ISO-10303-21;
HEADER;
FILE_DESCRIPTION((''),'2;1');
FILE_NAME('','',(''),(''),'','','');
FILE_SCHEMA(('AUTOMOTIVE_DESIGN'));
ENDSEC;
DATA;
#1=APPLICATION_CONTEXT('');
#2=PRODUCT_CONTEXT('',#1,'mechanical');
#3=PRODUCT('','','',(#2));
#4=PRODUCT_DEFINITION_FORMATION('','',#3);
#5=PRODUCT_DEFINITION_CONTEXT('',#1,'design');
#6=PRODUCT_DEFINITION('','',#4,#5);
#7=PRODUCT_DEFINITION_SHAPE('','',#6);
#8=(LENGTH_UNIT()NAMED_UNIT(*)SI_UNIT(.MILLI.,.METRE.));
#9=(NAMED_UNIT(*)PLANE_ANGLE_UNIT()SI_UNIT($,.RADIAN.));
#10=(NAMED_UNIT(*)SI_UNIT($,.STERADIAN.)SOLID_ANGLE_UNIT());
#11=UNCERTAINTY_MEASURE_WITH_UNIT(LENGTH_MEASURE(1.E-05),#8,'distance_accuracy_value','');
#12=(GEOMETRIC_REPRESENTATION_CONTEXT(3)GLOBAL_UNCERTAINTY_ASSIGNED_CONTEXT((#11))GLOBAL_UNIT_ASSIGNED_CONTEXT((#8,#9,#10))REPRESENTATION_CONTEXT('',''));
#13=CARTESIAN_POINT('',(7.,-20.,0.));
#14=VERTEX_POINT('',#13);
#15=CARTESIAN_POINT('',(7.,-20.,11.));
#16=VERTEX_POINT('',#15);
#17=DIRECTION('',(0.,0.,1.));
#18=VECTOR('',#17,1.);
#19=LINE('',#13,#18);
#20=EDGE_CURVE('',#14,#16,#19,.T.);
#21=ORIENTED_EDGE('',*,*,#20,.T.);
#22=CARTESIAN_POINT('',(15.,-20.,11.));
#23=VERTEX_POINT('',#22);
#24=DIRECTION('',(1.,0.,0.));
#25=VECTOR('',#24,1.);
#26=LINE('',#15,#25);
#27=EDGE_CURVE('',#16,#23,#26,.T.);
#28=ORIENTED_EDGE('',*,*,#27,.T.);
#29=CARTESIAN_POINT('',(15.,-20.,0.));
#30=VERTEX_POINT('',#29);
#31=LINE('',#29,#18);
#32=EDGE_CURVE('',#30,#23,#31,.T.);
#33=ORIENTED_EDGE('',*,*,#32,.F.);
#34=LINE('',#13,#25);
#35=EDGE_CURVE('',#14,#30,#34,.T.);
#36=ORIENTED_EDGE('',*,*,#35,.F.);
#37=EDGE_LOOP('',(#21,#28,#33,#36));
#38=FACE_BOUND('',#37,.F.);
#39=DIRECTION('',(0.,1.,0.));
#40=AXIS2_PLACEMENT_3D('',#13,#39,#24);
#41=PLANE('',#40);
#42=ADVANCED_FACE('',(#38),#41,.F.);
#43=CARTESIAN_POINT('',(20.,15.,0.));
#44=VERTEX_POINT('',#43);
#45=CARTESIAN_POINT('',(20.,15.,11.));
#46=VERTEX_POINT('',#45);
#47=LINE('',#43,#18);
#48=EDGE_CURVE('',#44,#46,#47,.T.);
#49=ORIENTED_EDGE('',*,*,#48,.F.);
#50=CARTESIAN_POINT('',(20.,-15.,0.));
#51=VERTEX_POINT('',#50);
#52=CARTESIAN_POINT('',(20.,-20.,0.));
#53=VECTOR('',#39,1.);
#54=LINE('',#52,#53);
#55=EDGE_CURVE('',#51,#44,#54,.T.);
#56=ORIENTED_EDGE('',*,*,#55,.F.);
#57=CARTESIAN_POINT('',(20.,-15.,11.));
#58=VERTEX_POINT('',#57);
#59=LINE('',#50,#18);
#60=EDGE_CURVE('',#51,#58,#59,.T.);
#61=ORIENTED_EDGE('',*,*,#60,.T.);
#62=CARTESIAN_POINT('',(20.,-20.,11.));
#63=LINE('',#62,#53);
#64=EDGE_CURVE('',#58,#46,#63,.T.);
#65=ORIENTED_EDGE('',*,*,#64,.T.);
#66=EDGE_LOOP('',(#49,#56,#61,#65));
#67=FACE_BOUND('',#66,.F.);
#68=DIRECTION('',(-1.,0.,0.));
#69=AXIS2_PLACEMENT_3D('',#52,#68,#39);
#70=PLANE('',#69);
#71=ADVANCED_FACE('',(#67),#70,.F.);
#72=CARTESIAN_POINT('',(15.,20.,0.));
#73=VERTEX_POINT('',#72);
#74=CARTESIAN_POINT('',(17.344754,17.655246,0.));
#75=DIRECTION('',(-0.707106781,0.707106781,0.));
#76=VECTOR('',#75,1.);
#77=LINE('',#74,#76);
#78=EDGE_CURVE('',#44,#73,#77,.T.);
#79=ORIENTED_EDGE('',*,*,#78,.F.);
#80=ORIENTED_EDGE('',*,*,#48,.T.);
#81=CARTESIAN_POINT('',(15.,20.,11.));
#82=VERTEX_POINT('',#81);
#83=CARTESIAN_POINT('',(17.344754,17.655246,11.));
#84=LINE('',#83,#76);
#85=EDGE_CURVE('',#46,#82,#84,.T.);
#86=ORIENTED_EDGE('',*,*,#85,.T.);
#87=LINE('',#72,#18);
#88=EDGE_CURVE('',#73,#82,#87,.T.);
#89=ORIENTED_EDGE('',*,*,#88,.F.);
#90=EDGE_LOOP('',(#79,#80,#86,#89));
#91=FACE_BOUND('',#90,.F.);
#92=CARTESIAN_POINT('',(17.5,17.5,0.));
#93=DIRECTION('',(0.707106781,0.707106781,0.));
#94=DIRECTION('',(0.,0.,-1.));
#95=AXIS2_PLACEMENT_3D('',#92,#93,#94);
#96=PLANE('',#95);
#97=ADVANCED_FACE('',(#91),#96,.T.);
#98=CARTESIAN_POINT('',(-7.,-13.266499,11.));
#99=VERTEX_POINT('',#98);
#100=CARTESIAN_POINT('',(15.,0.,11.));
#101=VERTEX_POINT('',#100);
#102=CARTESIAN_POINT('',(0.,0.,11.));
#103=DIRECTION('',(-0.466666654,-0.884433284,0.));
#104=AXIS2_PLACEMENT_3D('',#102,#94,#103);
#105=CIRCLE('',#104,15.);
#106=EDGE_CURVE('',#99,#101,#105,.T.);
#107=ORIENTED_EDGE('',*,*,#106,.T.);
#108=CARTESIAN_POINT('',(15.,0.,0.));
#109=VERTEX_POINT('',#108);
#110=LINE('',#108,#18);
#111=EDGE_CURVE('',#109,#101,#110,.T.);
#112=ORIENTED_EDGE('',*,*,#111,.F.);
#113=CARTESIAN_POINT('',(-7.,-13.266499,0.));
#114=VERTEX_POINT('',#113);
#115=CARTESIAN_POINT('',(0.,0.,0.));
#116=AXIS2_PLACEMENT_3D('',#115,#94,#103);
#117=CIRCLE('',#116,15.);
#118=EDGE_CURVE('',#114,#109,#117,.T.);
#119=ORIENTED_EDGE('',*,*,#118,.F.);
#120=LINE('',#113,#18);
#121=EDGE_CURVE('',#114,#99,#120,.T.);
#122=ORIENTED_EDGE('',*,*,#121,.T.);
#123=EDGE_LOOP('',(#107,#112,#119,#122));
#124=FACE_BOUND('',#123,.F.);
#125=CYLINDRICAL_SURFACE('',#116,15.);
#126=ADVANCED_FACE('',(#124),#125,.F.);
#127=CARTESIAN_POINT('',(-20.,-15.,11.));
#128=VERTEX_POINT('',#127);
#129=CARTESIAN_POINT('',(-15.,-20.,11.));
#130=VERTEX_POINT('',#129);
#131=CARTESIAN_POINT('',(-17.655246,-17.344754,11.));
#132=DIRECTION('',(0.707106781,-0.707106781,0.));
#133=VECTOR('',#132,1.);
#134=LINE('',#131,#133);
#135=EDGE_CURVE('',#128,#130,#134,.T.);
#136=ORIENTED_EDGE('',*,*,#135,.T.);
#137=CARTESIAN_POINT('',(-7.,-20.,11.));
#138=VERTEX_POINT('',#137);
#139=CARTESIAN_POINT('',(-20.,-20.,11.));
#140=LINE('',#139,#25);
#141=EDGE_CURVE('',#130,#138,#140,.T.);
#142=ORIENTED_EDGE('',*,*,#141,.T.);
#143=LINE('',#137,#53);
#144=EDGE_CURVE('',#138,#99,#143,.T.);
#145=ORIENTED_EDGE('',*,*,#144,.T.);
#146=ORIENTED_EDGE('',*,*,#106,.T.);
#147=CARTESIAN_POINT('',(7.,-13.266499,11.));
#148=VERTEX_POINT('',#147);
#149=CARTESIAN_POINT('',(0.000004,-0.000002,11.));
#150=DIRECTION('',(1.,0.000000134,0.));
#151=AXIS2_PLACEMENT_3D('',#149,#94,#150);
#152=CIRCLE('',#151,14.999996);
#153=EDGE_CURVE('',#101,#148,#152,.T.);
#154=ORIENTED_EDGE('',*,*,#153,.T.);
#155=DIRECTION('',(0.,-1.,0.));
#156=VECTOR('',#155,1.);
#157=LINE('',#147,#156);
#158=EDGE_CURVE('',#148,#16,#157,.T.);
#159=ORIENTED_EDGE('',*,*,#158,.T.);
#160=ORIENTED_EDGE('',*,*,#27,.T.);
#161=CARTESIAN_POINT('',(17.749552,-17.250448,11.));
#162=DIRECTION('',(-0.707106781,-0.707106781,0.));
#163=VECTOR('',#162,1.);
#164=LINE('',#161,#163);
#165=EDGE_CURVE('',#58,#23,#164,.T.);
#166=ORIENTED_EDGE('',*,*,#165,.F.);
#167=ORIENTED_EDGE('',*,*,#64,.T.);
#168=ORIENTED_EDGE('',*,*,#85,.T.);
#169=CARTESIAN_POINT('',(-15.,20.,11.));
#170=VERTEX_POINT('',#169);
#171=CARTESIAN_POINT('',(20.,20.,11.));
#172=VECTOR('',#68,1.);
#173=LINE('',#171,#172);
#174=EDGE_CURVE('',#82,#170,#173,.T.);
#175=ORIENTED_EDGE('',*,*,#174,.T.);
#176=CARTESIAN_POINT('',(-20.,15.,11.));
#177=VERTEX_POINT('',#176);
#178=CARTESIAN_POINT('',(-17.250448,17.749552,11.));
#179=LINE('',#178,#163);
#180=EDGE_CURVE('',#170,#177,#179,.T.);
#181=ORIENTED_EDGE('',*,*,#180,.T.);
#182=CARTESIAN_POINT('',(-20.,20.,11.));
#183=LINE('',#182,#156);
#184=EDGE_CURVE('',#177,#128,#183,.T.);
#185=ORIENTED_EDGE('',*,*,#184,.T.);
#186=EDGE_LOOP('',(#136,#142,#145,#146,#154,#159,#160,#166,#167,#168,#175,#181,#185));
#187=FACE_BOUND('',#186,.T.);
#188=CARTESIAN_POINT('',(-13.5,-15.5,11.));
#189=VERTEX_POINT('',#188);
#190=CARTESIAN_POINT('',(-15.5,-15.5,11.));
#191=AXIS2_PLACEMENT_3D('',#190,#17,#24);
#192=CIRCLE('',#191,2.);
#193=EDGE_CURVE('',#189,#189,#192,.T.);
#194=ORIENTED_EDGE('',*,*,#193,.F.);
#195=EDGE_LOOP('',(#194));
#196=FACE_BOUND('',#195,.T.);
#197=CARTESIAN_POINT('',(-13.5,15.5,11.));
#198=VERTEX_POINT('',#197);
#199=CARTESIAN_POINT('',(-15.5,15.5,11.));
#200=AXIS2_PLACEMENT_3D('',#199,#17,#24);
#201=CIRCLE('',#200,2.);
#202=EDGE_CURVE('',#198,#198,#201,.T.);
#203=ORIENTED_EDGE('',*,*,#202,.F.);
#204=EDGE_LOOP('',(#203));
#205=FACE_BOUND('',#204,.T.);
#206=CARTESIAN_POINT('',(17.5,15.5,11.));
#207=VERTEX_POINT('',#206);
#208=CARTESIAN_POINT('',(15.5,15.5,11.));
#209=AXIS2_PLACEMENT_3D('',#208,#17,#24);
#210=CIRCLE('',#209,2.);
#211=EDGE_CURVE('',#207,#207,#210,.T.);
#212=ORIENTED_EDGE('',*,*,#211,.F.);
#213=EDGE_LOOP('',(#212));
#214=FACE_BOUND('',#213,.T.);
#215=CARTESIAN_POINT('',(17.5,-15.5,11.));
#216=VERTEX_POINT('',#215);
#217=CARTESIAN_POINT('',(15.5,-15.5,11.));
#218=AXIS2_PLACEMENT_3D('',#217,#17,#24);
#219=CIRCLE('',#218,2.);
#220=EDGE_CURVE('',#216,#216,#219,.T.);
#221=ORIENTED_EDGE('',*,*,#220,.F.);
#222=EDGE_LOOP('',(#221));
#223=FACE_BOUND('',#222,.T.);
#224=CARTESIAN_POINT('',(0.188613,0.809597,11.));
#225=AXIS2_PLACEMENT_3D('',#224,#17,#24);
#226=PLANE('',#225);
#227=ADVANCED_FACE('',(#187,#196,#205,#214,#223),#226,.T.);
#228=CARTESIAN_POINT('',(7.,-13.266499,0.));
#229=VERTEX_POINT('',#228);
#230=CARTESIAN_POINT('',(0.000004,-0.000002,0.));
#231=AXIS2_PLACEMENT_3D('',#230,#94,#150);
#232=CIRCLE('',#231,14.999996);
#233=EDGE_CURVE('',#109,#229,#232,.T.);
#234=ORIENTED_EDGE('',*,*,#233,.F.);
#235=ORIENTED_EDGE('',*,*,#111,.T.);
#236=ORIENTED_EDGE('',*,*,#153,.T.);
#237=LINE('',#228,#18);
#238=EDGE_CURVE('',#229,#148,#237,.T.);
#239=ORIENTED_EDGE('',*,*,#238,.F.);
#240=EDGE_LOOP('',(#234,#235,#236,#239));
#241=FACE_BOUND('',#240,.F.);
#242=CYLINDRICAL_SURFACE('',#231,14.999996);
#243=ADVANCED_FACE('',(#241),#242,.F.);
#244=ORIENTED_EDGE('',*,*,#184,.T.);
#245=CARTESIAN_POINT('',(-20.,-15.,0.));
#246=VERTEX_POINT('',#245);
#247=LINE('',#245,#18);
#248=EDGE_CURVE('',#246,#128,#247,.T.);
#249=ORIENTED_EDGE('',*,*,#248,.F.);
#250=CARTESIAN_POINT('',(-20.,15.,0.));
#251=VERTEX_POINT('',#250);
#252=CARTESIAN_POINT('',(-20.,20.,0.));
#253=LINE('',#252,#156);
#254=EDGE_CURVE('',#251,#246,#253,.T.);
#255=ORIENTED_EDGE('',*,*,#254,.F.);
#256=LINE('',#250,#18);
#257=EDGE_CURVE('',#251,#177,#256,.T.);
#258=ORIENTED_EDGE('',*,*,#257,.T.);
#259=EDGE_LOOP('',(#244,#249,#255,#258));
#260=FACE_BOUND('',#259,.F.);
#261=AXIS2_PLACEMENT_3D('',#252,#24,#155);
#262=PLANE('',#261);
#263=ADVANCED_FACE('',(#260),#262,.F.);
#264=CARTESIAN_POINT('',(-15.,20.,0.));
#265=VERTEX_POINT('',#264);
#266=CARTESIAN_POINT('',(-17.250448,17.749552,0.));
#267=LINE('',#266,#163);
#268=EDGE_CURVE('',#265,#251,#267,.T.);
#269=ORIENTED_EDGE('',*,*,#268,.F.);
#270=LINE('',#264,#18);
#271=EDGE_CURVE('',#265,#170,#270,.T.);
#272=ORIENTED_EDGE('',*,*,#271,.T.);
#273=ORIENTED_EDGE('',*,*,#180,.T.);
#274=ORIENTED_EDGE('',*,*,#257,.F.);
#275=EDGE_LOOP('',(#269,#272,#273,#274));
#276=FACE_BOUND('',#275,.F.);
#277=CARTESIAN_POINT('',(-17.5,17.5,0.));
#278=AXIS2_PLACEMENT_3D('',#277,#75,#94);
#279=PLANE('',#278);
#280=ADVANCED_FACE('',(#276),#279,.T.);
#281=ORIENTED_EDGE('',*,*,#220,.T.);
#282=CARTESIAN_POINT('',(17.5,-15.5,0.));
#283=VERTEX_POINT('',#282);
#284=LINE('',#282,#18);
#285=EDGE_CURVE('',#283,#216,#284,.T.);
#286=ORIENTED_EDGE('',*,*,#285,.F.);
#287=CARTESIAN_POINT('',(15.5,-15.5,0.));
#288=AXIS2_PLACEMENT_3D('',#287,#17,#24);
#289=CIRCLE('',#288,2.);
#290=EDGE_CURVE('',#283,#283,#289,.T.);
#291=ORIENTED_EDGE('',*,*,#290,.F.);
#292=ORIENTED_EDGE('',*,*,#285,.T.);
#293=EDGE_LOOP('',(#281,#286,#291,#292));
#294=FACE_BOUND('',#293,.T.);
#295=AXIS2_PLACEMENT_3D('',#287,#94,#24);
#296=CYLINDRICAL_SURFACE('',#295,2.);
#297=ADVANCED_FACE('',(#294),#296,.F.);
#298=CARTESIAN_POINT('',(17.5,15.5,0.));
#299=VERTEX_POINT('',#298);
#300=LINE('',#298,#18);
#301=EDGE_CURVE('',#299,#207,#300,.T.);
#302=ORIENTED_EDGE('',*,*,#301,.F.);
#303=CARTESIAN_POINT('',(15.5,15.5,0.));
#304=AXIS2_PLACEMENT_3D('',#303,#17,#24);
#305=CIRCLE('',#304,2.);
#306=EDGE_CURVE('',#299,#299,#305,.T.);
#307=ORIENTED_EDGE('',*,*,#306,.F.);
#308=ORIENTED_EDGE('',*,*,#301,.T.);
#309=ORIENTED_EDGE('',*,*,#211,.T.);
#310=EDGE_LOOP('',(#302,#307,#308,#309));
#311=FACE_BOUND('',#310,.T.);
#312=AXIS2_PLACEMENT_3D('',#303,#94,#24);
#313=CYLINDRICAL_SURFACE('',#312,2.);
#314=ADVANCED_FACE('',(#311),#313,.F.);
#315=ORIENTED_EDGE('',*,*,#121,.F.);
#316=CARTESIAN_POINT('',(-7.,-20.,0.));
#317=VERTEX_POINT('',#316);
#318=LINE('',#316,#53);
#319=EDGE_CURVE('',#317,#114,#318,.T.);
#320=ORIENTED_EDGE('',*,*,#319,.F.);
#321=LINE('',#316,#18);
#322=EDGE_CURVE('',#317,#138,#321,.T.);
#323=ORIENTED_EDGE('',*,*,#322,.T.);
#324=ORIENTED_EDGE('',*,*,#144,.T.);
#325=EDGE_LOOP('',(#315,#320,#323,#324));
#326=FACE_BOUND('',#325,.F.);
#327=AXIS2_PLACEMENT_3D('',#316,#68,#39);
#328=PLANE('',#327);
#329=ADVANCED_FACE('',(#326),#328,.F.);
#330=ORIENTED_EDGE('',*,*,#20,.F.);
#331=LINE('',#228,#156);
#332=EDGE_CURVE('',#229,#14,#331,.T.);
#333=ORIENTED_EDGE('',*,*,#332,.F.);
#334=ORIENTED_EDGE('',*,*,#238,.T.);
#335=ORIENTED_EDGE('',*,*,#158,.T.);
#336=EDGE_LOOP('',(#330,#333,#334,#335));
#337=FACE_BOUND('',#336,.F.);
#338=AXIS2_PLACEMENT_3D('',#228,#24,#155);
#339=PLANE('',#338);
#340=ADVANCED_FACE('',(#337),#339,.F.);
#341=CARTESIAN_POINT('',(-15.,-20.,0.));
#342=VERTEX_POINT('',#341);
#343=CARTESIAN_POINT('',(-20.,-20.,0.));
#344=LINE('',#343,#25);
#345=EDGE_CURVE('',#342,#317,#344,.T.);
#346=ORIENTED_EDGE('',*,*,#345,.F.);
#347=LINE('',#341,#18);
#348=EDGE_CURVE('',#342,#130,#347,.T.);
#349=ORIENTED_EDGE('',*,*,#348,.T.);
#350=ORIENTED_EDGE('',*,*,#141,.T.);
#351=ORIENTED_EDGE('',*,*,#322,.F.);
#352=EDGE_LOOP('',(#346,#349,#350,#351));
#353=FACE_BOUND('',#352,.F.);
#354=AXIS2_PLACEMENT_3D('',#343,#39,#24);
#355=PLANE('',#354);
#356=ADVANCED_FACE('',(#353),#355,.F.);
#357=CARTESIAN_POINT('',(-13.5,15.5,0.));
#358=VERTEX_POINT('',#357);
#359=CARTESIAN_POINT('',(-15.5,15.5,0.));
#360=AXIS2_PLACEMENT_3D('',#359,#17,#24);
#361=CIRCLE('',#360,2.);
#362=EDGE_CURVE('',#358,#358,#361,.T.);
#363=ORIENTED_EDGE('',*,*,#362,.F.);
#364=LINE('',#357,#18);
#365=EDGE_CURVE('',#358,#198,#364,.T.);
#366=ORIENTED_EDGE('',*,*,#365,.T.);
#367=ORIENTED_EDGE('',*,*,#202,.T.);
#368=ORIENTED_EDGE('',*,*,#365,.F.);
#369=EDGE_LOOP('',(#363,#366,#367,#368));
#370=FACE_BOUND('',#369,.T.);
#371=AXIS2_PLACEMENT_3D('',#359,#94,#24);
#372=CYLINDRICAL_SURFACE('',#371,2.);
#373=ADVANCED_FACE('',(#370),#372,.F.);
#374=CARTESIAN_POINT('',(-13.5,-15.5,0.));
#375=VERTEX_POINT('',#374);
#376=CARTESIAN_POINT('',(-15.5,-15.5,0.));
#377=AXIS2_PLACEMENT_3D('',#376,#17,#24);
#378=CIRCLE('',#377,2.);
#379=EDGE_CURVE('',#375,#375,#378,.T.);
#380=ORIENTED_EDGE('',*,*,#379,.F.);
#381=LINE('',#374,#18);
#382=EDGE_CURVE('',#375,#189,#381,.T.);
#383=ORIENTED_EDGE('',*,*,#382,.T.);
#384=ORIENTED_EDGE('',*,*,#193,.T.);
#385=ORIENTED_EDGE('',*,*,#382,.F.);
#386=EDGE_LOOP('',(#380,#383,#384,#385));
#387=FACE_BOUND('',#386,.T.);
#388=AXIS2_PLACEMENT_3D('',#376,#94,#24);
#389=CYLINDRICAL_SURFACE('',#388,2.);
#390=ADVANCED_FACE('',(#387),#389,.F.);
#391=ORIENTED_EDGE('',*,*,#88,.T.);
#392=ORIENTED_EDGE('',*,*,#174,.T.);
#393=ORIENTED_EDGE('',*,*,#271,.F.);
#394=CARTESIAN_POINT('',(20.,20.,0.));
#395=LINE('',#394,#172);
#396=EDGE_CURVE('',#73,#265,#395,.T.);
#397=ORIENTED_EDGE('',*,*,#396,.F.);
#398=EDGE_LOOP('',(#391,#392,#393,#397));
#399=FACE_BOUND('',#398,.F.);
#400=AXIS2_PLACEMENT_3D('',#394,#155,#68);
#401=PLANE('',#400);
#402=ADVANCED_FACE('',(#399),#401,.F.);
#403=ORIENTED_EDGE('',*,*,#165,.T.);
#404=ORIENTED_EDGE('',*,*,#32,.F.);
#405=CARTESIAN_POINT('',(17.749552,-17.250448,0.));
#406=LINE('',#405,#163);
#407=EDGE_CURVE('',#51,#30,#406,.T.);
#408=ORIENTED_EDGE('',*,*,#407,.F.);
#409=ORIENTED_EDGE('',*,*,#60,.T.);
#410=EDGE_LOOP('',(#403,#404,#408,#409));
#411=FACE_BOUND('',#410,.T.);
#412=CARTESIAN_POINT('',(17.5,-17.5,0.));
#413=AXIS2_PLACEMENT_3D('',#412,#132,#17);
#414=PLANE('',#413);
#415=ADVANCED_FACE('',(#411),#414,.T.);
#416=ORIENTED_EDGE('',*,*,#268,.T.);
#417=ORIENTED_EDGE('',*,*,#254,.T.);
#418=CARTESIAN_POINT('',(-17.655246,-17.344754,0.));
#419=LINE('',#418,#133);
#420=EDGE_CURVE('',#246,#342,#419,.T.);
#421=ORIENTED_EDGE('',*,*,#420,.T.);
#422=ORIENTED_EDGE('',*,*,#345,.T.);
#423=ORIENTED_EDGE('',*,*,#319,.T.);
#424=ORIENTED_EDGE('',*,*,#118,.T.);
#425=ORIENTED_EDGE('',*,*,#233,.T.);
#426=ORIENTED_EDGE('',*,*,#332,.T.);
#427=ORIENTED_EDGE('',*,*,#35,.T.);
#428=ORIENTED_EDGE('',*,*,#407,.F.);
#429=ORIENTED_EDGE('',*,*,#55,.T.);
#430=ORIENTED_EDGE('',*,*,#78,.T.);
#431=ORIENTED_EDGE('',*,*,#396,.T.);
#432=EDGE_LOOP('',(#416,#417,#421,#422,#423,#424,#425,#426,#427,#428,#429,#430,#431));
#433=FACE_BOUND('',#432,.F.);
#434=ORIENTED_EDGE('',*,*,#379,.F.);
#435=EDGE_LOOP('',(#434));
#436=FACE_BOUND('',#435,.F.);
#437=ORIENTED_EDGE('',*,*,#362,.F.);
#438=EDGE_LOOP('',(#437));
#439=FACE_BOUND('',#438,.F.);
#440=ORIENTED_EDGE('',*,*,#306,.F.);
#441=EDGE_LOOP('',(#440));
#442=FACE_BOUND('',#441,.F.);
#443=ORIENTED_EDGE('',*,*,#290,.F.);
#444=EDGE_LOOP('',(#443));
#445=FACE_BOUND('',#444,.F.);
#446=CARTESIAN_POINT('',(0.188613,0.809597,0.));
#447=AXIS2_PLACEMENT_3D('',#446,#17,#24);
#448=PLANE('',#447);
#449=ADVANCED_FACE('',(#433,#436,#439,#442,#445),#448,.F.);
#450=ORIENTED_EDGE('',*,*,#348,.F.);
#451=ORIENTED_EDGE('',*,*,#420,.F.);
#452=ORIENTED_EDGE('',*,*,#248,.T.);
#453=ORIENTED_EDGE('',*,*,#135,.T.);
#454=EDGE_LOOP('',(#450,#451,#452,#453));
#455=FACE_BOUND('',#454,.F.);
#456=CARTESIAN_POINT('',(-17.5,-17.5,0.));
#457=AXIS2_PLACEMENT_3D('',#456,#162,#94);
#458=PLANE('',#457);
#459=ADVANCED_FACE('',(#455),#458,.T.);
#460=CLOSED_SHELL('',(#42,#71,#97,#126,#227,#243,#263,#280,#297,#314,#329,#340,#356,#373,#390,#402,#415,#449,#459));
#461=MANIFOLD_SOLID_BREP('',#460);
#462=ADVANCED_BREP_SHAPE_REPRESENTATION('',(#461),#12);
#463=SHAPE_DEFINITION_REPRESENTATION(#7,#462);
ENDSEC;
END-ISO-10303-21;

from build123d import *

# Parameters (mm, degrees)
F0_R     = 2
F1_DEPTH = 11
F2_SIZE  = 5


with BuildPart() as f1:
    # F0 (on Top) → F1 (new body)
    with BuildSketch(Plane.XY):
        with BuildLine():
            Line((20, -20), (20, 20))
            Line((20, 20), (-20, 20))
            Line((-20, 20), (-20, -20))
            Line((-20, -20), (-7, -20))
            Line((-7, -20), (-7, -13.266499))
            ThreePointArc((-7, -13.266499), (-7.745967, 12.845233), (15, 0))
            ThreePointArc((15, 0), (12.845233, -7.745967), (7, -13.266499))
            Line((7, -13.266499), (7, -20))
            Line((7, -20), (20, -20))
        make_face()
        with Locations((-15.5, -15.5)):
            Circle(F0_R, mode=Mode.SUBTRACT)
        with Locations((15.5, -15.5)):
            Circle(F0_R, mode=Mode.SUBTRACT)
        with Locations((-15.5, 15.5)):
            Circle(F0_R, mode=Mode.SUBTRACT)
        with Locations((15.5, 15.5)):
            Circle(F0_R, mode=Mode.SUBTRACT)
    extrude(amount=F1_DEPTH)

    # F2
    f2_edges = [f1.edges().sort_by_distance(p)[0] for p in [
        (-20, -20, 5.5),
        (-20, 20, 5.5),
        (20, 20, 5.5),
        (20, -20, 5.5),
    ]]
    chamfer(f2_edges, length=F2_SIZE)


solid = f1.part
